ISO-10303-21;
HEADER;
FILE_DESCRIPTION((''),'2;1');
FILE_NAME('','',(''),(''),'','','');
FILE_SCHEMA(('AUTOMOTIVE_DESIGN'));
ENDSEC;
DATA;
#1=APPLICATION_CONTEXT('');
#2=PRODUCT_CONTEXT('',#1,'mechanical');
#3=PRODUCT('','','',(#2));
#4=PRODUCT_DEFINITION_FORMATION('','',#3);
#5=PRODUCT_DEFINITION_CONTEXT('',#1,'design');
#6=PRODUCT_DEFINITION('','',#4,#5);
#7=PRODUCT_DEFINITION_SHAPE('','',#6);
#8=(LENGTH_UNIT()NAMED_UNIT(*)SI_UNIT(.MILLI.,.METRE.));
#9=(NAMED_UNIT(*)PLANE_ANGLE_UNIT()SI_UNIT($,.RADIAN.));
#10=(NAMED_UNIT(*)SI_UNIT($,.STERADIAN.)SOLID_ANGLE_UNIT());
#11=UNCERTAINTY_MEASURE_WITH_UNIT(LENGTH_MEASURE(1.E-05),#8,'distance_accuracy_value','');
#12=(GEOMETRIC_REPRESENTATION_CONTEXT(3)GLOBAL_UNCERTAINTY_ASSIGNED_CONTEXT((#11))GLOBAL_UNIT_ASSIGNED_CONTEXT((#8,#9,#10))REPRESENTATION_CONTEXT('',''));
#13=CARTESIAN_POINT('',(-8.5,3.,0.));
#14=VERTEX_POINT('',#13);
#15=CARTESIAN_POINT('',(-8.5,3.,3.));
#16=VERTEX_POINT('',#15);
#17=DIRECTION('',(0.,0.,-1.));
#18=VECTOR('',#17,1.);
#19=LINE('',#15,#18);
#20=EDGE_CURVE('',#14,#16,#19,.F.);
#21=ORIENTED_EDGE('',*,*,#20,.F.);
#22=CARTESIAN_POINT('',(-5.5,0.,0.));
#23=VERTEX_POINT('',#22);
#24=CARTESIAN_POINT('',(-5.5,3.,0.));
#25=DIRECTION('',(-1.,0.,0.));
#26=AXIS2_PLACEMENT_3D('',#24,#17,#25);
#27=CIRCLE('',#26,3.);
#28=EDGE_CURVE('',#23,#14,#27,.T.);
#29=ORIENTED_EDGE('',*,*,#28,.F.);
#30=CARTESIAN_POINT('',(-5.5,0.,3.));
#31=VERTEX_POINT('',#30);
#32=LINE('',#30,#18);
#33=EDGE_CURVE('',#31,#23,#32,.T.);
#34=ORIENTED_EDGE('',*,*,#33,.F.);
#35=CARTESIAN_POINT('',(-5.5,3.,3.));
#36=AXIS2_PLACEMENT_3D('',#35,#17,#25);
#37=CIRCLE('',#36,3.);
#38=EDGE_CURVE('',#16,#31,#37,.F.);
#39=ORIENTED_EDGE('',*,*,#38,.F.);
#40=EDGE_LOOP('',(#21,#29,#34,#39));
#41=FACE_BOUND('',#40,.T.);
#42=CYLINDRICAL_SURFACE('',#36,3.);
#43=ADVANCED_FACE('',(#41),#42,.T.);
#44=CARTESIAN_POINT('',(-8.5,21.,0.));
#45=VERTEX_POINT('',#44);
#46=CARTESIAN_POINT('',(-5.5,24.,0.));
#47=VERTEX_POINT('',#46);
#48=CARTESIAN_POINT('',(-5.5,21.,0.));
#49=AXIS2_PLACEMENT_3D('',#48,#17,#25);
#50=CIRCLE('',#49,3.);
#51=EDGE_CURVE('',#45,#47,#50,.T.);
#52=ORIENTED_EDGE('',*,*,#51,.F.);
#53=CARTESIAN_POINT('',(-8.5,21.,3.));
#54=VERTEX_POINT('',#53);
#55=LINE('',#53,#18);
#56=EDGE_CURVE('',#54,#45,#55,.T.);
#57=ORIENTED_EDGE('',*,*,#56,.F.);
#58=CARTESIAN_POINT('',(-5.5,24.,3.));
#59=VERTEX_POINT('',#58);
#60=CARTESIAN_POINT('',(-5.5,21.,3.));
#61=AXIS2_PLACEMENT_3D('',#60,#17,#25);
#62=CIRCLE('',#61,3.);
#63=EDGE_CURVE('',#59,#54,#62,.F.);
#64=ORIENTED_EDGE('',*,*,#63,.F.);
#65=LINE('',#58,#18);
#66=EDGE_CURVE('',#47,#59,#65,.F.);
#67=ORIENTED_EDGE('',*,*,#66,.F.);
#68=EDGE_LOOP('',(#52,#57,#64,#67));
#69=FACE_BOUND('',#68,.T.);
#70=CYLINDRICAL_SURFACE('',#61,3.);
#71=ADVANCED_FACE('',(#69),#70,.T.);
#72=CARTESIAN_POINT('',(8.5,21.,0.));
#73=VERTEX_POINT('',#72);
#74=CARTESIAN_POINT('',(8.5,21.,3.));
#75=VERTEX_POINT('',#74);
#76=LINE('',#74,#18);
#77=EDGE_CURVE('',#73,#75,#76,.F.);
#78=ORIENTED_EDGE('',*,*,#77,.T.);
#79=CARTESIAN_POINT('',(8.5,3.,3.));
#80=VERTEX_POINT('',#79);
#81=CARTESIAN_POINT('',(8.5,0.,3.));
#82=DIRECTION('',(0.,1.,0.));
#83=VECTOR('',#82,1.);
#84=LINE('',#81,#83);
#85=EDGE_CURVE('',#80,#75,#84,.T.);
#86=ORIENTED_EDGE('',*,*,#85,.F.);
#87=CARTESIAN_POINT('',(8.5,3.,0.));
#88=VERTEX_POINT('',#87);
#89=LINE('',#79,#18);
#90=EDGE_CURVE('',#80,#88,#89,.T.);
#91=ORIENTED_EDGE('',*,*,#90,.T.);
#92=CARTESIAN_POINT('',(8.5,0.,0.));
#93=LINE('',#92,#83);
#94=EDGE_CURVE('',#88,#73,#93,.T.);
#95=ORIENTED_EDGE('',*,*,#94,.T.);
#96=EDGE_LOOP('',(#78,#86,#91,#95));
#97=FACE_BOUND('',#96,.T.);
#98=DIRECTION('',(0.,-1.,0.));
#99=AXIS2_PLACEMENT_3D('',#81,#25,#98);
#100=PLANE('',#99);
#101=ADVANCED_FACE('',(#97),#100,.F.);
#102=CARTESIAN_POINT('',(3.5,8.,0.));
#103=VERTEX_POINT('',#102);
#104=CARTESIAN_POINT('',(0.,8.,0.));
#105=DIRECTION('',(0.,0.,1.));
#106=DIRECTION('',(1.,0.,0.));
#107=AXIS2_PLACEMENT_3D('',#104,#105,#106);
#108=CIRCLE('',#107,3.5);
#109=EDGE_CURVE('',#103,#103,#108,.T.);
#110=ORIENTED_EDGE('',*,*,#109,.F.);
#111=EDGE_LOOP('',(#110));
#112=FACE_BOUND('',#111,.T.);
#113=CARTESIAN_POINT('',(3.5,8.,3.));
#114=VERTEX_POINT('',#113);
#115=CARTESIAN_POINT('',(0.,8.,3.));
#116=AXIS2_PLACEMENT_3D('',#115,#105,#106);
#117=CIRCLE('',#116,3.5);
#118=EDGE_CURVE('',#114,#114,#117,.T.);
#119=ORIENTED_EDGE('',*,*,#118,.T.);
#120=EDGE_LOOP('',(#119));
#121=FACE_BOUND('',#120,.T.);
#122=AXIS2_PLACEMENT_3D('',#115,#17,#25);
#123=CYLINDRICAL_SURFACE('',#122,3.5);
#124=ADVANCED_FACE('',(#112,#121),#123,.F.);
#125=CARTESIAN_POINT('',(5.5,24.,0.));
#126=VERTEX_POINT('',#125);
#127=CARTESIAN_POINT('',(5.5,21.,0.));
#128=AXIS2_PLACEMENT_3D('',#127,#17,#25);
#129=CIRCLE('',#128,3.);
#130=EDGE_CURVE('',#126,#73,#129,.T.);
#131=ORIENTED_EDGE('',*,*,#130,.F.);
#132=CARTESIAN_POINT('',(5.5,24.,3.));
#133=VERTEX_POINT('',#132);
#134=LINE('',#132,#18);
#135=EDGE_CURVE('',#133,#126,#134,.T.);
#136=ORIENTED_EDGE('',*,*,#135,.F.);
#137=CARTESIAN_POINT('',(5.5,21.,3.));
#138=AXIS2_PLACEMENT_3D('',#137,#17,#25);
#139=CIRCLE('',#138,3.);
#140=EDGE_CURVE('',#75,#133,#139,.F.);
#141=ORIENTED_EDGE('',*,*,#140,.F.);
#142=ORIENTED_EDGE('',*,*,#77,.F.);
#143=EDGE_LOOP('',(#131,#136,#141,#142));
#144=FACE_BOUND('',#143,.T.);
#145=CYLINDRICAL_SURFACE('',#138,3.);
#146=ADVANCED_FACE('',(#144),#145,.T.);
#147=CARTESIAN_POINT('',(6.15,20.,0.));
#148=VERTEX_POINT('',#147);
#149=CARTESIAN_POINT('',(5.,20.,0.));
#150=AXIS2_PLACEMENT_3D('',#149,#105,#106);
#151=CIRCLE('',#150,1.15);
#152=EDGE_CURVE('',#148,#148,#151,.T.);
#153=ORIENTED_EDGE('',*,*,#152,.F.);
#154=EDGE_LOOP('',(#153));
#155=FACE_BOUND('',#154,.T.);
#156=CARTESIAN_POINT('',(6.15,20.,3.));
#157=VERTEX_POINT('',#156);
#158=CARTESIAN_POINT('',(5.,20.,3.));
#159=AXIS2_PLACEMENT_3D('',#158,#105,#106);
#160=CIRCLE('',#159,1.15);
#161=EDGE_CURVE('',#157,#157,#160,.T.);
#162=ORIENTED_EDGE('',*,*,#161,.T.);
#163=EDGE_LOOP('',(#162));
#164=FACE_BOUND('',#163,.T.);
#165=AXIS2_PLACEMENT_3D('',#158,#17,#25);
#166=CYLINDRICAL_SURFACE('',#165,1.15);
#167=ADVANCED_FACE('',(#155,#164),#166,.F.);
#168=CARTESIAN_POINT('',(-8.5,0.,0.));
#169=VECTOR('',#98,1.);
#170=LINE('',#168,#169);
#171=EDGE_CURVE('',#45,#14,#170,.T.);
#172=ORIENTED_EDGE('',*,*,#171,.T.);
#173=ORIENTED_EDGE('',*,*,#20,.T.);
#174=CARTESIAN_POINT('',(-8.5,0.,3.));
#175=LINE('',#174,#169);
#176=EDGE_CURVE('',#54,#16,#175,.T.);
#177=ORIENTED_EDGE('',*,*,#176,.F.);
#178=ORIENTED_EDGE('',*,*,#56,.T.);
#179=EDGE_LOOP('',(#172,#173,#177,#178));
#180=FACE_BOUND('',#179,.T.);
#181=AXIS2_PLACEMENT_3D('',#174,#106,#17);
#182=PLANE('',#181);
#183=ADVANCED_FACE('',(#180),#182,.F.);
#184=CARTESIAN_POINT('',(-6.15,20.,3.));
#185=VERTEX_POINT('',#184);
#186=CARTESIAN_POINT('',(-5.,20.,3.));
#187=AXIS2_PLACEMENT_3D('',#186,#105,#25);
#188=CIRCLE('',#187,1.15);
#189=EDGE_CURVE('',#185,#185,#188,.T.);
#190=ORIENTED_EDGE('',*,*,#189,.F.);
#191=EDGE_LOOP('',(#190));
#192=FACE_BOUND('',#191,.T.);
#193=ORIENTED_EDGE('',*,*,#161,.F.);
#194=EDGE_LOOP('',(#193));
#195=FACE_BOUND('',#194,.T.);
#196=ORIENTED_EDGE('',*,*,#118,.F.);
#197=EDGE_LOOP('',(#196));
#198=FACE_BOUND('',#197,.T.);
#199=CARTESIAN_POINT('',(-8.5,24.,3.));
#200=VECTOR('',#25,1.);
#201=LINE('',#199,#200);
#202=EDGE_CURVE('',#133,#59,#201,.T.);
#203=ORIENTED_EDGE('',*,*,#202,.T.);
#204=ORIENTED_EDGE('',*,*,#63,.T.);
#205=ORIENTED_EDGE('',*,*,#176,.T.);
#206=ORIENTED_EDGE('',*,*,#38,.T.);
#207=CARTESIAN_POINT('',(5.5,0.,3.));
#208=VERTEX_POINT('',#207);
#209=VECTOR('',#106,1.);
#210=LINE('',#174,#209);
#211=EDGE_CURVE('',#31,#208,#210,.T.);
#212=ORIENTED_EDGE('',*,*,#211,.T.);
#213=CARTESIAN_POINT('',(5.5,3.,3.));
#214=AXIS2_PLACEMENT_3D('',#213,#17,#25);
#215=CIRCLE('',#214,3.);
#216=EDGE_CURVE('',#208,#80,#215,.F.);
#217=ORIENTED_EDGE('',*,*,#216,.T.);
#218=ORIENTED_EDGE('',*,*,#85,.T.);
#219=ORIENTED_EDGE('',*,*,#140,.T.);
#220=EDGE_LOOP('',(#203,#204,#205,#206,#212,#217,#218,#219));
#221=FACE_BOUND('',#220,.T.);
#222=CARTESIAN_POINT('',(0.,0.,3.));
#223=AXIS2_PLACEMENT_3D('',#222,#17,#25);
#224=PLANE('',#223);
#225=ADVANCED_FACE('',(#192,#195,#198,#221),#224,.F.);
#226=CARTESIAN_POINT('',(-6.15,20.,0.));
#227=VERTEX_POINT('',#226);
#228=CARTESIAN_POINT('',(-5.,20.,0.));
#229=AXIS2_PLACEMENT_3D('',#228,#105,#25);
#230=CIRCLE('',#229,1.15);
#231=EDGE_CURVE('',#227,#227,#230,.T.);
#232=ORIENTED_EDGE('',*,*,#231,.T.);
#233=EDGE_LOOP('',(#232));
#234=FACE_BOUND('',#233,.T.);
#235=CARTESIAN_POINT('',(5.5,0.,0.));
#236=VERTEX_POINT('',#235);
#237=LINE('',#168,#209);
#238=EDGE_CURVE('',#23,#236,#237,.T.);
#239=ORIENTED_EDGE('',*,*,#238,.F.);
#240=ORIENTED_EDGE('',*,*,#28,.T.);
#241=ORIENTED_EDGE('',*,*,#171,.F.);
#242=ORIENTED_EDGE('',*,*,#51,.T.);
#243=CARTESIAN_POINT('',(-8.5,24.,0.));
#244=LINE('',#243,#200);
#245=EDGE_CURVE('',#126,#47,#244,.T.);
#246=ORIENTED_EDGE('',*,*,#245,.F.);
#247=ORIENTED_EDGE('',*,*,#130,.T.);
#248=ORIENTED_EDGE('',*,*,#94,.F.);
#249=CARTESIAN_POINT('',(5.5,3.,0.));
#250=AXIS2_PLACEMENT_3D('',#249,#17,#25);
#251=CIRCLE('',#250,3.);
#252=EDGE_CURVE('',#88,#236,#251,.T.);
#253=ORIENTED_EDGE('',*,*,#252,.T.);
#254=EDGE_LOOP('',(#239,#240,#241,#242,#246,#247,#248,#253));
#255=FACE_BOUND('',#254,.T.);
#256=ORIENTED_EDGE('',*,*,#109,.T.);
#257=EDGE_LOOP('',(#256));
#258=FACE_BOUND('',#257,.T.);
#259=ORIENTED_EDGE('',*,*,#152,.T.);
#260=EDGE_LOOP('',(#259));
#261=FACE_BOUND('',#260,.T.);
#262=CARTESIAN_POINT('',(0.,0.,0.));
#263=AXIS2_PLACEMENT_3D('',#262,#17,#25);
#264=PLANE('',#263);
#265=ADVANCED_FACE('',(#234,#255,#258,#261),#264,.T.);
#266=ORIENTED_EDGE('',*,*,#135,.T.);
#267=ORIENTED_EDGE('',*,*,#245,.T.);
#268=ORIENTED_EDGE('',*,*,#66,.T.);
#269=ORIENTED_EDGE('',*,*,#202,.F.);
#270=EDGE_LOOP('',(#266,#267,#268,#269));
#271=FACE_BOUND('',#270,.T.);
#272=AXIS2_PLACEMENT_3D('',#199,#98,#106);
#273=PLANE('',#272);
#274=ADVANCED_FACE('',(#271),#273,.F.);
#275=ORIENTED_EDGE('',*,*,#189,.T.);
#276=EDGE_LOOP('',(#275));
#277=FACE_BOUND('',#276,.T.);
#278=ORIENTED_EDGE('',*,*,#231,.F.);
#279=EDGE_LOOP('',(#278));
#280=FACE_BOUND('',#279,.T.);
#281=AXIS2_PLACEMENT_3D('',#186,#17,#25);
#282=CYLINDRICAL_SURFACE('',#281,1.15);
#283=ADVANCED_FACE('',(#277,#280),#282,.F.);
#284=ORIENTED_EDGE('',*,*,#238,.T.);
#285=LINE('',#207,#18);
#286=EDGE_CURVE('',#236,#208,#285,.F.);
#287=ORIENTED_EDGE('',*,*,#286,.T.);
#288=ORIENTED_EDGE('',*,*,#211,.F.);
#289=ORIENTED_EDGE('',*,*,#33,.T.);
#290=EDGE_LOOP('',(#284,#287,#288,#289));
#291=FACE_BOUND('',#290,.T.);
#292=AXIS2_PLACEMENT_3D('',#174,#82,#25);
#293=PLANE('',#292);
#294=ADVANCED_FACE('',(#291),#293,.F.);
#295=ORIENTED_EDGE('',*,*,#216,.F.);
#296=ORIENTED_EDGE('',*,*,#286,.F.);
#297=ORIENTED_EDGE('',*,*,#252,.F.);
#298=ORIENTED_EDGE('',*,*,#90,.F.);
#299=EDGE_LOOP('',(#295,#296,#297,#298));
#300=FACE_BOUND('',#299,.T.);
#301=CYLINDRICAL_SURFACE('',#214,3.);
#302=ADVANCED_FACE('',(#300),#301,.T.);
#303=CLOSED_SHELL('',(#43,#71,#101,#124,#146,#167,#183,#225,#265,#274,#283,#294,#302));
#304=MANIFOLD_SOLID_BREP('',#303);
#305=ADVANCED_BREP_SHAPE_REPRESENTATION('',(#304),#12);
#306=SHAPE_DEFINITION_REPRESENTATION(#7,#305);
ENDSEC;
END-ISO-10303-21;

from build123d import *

# Parameters (mm, degrees)
SKETCH_1_W      = 17
SKETCH_1_H      = 24
SKETCH_1_R      = 3.5
SKETCH_1_R_2    = 1.15
EXTRUDE_1_DEPTH = 3
FILLET_1_R      = 3


with BuildPart() as part:
    # 草图1 → 凸台-拉伸1 (new body)
    with BuildSketch(Plane.XY):
        with Locations((0, 12)):
            Rectangle(SKETCH_1_W, SKETCH_1_H)
        with Locations((0, 8)):
            Circle(SKETCH_1_R, mode=Mode.SUBTRACT)
        with Locations((5, 20)):
            Circle(SKETCH_1_R_2, mode=Mode.SUBTRACT)
        with Locations((-5, 20)):
            Circle(SKETCH_1_R_2, mode=Mode.SUBTRACT)
    extrude(amount=EXTRUDE_1_DEPTH)

    # 圆角1
    fillet_1_edges = [part.edges().sort_by_distance(p)[0] for p in [
        (-8.5, 24, 1.5),
        (8.5, 24, 1.5),
        (8.5, 0, 1.5),
        (-8.5, 0, 1.5),
    ]]
    fillet(fillet_1_edges, radius=FILLET_1_R)


solid = part.part
